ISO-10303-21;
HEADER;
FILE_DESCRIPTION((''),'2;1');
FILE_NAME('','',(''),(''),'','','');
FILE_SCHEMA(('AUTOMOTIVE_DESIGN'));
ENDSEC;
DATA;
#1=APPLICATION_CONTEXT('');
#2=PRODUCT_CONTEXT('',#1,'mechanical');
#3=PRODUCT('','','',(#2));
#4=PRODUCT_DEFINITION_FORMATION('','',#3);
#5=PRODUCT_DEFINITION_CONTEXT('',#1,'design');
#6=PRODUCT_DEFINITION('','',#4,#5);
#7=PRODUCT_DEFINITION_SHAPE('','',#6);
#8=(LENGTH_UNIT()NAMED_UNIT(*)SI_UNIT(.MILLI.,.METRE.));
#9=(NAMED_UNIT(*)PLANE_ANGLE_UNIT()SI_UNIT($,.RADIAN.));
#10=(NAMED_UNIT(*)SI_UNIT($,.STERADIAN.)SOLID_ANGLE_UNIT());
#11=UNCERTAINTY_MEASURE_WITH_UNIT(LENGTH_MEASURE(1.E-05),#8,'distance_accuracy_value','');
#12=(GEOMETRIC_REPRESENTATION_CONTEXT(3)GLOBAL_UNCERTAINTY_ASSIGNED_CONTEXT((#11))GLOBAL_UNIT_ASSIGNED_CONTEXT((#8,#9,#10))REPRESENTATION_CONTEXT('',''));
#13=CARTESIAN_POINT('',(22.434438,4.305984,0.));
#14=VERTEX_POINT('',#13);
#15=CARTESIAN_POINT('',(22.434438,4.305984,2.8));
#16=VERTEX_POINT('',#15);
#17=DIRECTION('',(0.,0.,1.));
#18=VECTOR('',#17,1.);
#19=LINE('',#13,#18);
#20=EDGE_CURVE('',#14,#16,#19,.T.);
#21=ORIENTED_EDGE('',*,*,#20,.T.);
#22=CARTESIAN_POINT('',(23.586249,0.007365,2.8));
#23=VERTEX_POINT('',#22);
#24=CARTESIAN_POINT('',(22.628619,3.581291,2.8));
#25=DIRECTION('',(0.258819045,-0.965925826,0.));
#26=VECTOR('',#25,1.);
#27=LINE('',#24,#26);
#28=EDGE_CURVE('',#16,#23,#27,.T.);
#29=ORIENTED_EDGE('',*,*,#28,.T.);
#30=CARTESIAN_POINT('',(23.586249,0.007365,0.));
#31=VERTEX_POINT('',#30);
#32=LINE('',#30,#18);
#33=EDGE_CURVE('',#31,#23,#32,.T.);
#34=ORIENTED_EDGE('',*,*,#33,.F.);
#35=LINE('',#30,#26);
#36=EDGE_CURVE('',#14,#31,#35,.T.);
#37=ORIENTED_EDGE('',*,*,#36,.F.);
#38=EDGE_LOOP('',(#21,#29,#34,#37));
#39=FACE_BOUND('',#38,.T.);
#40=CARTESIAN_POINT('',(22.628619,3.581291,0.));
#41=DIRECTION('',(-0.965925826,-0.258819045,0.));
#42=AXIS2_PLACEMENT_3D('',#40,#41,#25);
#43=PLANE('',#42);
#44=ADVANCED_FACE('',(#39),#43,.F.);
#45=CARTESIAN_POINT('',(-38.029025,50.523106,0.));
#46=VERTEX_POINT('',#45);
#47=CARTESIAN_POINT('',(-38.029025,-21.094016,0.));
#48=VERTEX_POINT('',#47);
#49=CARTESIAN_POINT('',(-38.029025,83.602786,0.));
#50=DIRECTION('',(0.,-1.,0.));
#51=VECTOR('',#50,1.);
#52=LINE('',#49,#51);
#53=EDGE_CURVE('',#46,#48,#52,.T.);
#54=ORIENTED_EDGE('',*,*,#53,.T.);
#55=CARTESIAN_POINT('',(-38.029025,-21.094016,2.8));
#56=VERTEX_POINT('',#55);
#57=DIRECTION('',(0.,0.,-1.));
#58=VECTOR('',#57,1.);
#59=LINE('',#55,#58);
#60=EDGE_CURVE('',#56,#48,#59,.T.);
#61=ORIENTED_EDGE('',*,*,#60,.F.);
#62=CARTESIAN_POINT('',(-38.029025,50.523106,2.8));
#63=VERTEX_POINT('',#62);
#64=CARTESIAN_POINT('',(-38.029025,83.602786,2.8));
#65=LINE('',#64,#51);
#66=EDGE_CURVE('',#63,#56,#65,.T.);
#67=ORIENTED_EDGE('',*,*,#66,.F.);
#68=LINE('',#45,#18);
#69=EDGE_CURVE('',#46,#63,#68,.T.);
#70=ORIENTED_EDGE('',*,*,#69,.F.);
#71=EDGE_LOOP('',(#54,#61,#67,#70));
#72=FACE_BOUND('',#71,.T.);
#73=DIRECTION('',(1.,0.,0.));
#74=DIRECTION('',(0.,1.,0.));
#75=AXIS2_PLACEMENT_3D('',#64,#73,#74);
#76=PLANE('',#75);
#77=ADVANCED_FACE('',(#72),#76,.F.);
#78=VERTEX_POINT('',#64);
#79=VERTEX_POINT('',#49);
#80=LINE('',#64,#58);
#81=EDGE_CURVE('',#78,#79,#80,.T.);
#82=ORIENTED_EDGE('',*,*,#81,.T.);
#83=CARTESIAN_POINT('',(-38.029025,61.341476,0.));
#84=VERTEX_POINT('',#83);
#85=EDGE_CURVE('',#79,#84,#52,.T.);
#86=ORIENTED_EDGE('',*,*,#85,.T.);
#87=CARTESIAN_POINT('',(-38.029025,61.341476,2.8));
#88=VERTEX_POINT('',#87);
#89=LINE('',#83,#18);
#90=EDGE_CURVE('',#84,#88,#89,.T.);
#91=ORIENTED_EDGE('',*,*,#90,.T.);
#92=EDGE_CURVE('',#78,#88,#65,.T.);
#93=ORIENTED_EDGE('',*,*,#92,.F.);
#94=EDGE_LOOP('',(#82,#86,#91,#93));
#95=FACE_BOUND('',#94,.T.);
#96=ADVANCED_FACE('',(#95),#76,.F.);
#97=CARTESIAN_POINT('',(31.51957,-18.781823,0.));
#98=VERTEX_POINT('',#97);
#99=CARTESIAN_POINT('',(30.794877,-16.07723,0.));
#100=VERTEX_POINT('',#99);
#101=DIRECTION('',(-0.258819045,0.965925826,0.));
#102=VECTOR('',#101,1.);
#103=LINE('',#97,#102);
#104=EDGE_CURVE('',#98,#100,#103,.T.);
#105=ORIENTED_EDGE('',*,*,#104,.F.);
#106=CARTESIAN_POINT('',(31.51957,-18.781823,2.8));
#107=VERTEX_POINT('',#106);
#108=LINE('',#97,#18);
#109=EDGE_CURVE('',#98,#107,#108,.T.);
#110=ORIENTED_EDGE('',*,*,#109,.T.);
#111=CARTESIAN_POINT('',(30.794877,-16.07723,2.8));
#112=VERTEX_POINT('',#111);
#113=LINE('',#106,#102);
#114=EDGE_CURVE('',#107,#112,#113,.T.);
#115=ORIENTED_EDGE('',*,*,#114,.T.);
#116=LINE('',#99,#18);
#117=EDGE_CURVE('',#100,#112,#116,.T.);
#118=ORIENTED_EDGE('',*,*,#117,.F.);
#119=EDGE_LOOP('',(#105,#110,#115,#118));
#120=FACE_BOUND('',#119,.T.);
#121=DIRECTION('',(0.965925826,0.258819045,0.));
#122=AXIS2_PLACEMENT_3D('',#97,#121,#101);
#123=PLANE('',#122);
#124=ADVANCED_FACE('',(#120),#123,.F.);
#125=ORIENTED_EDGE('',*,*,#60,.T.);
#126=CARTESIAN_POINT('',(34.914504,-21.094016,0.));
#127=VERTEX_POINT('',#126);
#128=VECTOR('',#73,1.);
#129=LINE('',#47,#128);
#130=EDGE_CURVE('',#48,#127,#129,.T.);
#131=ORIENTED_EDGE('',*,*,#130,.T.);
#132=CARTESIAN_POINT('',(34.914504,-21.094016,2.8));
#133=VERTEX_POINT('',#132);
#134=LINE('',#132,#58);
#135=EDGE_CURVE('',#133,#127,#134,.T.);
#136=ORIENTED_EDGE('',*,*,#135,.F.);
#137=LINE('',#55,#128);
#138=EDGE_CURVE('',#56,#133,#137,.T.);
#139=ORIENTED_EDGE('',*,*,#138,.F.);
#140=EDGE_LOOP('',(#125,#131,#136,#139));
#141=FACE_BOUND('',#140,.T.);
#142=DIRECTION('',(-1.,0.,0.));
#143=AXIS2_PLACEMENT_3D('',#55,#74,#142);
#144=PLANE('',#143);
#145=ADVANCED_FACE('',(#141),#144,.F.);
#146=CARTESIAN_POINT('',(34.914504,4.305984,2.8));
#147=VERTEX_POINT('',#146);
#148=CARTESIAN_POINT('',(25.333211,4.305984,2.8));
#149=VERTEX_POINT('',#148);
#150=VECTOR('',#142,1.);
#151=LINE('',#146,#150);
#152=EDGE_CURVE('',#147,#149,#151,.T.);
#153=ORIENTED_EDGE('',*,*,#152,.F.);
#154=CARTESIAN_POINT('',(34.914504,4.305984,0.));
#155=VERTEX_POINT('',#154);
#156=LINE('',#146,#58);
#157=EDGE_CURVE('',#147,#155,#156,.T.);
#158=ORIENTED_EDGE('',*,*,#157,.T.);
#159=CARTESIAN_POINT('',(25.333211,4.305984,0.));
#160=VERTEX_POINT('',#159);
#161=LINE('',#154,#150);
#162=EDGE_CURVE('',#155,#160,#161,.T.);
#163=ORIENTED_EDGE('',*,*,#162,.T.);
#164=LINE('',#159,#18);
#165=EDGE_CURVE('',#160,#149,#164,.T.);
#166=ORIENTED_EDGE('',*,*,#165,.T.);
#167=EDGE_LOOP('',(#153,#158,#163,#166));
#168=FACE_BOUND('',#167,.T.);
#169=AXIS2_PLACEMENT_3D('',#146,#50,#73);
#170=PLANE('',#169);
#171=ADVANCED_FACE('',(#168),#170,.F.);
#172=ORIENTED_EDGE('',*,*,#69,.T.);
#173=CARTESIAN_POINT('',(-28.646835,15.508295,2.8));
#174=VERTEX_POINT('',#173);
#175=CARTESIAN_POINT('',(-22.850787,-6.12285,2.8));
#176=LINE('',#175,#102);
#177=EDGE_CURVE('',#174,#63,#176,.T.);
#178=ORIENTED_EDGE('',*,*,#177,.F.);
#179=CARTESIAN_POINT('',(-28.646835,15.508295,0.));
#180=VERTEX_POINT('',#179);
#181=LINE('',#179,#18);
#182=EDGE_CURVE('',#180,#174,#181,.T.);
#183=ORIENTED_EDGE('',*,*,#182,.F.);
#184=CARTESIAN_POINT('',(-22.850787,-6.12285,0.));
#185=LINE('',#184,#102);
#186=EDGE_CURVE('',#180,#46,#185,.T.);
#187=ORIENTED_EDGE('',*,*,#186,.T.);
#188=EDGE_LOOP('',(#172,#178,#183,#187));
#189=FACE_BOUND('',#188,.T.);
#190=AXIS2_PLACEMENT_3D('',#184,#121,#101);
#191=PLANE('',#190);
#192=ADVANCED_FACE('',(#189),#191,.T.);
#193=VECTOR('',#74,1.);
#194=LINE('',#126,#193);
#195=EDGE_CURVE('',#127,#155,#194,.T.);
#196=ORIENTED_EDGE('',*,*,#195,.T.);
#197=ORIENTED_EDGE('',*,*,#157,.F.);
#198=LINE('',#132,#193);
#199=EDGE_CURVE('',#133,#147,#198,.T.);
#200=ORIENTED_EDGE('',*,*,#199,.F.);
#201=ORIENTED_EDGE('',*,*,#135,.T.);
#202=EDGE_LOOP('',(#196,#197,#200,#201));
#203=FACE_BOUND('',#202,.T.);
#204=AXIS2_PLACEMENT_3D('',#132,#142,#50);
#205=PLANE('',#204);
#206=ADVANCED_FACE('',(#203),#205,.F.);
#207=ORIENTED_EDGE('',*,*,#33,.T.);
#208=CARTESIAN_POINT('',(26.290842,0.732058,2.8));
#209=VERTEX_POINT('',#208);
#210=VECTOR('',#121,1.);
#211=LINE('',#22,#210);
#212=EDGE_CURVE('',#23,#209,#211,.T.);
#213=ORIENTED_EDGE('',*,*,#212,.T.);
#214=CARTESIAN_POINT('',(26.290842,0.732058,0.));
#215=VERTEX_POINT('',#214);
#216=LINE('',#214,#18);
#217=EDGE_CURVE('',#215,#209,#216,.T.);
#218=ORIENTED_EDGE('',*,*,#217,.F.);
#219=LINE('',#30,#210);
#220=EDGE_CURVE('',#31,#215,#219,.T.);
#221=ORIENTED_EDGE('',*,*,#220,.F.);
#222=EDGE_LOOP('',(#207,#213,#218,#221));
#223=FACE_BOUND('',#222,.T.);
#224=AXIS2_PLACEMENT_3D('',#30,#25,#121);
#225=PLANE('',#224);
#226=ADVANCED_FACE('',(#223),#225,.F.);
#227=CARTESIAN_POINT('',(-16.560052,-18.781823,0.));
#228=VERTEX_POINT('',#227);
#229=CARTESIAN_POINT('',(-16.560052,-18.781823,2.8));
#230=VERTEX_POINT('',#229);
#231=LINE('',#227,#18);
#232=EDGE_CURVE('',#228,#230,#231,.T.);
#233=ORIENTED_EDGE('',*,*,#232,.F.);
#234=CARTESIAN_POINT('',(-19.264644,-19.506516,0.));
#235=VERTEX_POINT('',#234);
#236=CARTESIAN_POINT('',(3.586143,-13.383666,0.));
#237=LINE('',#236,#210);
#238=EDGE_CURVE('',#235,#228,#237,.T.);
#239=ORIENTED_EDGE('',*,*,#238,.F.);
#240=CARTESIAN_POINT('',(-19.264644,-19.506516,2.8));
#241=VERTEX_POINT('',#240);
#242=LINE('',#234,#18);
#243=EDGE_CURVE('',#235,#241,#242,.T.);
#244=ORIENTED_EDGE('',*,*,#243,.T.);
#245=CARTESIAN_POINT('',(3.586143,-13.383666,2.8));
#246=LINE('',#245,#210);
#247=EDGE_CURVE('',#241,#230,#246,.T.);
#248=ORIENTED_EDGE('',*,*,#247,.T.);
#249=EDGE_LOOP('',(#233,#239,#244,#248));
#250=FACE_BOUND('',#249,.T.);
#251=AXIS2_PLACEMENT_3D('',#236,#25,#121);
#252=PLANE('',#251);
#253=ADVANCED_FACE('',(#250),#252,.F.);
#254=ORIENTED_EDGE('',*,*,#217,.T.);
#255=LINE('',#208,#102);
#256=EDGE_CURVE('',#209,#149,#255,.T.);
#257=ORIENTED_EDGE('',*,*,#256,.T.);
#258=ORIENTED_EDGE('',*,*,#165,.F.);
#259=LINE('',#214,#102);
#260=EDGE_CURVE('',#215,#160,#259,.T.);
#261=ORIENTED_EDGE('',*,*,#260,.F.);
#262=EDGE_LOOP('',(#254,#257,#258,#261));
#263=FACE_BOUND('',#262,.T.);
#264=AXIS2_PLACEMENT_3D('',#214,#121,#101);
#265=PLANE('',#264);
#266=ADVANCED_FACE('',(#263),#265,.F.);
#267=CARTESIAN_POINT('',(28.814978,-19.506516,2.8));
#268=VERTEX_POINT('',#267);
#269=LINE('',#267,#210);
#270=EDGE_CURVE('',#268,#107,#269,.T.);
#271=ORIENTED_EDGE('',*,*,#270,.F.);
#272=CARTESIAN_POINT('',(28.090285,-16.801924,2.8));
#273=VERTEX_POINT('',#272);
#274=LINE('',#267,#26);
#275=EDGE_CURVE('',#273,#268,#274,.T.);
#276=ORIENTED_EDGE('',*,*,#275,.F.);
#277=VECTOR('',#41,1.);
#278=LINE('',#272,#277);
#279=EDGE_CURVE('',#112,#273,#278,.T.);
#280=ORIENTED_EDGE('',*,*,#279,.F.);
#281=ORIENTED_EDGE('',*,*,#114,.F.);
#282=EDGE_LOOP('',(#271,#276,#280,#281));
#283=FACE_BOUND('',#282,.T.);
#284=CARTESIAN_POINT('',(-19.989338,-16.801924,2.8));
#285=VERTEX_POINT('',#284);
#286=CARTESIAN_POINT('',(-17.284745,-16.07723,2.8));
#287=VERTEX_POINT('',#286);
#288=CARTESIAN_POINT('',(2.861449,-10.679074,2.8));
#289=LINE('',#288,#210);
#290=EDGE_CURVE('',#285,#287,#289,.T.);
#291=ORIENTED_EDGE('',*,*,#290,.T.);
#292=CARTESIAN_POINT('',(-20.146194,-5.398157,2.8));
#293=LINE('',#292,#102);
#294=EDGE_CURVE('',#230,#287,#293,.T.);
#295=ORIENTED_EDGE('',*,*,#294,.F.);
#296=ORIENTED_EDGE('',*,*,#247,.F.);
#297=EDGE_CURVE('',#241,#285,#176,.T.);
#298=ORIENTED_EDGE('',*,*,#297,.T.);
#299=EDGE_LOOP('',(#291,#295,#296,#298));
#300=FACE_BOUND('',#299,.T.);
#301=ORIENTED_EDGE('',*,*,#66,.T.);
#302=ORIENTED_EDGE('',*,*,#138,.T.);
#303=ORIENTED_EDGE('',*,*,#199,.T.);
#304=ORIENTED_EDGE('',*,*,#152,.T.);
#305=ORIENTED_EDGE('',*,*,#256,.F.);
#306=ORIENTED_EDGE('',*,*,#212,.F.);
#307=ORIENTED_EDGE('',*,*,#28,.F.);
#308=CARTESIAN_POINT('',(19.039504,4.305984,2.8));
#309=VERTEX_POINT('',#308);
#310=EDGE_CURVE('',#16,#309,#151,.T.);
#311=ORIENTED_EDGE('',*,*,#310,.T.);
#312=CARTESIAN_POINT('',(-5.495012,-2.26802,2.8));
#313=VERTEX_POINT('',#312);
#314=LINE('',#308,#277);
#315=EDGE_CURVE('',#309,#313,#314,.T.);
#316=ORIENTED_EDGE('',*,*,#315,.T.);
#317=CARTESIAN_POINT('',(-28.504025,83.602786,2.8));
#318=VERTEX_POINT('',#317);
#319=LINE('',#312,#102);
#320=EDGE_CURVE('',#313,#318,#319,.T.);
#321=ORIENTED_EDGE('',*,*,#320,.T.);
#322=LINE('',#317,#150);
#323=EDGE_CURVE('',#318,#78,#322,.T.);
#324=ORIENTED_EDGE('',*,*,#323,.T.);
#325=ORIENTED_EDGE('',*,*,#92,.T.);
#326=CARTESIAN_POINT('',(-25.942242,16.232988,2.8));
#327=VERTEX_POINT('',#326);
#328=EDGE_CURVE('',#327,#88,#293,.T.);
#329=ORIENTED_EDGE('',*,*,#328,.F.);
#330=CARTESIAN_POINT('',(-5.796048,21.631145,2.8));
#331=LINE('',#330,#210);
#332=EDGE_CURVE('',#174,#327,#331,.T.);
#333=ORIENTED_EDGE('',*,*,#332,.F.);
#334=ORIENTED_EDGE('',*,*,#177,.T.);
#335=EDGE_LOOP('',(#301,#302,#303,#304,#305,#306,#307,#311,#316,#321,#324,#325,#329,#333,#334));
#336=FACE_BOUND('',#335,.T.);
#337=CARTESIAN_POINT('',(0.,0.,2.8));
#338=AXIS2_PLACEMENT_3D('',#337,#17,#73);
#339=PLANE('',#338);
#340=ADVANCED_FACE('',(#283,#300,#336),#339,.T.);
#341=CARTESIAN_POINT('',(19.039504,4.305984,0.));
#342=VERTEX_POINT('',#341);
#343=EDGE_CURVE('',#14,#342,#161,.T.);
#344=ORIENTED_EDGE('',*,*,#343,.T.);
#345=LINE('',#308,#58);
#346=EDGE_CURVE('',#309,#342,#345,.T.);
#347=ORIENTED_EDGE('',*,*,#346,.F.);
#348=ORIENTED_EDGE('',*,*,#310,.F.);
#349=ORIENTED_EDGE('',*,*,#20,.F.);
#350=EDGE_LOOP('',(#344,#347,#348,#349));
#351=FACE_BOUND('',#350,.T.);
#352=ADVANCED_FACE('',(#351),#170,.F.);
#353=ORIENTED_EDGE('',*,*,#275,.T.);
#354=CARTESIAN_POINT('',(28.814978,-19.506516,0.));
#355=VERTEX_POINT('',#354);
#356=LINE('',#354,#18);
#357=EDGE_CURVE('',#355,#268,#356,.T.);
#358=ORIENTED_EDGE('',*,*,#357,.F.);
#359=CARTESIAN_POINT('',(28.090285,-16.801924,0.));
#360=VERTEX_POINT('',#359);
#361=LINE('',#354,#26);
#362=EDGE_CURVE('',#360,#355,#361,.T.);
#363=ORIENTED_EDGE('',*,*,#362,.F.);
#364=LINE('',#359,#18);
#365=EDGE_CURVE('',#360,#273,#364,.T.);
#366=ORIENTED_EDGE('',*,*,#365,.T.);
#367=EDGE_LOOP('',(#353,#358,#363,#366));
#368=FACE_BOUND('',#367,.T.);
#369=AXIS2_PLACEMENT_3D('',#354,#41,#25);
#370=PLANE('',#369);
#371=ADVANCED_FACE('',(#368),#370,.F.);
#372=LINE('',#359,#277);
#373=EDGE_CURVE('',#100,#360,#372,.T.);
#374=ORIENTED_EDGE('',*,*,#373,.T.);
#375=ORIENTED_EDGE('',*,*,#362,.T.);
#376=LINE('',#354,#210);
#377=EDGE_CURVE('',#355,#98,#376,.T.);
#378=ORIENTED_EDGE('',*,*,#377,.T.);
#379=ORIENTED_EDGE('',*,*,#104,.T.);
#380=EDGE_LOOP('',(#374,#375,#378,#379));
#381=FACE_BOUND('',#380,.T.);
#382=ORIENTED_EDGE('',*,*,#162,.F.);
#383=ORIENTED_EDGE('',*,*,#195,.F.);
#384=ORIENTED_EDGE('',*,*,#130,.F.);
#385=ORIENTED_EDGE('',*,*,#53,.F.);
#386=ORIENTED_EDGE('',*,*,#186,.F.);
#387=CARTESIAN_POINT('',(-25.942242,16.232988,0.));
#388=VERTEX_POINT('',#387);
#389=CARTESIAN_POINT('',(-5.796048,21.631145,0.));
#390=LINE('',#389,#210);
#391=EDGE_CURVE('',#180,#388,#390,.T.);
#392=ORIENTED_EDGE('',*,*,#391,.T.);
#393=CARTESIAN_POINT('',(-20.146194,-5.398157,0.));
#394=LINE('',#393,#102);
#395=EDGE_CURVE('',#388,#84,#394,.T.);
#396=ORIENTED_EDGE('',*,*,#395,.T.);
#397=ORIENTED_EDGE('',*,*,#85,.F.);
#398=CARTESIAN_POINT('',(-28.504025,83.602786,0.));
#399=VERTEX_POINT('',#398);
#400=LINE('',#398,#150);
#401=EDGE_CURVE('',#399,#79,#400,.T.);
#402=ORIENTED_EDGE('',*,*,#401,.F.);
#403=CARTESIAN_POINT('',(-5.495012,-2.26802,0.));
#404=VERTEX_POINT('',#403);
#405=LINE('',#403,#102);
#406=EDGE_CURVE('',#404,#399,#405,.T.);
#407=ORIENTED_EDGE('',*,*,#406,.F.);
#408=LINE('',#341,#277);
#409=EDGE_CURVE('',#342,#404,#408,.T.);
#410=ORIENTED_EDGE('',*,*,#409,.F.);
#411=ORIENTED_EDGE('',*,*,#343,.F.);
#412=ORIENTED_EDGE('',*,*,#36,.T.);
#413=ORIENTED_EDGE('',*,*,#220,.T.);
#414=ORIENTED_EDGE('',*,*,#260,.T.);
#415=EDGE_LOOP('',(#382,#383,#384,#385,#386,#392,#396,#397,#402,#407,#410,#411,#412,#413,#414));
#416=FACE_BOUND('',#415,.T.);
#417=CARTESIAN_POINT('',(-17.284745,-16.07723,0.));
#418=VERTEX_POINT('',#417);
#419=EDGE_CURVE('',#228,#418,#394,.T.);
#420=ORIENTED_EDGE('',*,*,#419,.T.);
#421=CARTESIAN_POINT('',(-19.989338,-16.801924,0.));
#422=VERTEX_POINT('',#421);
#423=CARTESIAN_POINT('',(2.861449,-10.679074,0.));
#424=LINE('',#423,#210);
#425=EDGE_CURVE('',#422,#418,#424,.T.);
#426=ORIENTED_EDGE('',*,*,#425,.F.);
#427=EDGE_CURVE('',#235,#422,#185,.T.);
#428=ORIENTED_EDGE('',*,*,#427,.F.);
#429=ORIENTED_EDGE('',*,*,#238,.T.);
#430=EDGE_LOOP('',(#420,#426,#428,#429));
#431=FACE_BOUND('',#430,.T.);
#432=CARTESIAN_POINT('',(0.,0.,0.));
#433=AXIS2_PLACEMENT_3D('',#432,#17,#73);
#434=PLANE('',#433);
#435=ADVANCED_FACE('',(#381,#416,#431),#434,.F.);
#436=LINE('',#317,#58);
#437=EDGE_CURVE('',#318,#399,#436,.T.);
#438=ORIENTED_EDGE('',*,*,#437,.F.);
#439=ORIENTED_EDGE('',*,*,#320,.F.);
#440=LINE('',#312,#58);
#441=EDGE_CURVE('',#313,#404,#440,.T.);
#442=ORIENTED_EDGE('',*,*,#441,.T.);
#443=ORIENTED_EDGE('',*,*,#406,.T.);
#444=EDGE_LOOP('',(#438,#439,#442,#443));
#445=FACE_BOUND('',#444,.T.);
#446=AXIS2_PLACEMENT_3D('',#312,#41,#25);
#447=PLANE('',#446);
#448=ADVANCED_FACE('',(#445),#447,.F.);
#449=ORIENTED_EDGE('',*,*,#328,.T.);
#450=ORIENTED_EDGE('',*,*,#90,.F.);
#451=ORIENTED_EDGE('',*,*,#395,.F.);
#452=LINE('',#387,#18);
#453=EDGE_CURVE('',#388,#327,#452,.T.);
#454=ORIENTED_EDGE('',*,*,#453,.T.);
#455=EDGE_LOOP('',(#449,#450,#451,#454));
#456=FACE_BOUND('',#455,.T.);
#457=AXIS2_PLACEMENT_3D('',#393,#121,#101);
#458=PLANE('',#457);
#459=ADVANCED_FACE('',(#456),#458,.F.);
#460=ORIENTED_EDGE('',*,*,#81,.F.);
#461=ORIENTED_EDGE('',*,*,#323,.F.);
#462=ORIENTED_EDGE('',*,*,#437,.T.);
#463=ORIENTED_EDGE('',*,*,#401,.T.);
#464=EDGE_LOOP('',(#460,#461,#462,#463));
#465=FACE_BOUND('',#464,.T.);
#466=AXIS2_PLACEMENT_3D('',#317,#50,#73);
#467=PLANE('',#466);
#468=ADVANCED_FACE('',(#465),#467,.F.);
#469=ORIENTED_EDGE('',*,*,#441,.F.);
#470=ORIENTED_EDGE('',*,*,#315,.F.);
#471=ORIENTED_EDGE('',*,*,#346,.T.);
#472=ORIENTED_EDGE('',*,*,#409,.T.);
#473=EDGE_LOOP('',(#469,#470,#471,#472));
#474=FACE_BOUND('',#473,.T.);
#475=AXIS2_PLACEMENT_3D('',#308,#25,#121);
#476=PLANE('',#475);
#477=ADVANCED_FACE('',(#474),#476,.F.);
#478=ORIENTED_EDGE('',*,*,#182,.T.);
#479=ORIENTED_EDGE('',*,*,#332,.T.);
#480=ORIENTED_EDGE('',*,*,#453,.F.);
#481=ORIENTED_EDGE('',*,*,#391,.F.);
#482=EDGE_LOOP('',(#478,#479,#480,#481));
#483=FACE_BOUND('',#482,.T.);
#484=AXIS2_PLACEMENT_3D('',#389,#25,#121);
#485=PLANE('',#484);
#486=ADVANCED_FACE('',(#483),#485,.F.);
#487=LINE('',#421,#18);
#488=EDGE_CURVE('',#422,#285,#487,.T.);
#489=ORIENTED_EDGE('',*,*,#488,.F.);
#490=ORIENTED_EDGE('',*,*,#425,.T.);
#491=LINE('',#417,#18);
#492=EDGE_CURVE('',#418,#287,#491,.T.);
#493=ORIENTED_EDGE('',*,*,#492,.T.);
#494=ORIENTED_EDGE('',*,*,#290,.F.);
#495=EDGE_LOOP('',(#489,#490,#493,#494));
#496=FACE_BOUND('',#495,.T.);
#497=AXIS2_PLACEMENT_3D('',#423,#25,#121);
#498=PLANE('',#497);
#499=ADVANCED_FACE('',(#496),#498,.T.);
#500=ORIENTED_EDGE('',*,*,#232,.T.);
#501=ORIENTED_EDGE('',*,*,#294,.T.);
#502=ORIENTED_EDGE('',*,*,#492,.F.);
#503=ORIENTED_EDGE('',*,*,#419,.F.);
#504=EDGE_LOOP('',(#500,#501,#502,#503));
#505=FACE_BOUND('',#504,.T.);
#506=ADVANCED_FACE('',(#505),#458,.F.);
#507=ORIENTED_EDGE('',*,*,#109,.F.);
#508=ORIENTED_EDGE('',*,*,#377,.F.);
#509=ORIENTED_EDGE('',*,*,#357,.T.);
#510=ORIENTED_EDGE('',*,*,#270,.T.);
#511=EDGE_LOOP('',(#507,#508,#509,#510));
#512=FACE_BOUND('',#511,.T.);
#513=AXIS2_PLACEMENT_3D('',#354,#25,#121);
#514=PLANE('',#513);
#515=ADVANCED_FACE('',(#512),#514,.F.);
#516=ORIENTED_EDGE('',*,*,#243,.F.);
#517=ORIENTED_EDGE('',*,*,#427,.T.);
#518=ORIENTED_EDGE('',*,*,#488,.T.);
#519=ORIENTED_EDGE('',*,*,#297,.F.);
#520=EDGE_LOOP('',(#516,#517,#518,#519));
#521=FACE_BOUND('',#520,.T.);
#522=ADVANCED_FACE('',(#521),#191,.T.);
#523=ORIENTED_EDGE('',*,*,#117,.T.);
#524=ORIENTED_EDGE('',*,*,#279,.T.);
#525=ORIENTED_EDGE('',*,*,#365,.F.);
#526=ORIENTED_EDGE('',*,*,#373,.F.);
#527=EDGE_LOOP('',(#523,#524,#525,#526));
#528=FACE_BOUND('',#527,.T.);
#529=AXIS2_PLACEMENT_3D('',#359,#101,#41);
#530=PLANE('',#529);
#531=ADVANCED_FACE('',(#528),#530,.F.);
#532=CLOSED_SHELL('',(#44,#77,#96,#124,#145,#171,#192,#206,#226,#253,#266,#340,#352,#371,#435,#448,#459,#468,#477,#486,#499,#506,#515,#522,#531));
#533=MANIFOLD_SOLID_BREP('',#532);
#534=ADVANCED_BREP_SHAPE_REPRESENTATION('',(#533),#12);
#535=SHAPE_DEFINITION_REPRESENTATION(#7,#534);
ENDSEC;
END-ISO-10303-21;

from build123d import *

# Parameters (mm, degrees)
BOSS_EXTRUDE1_DEPTH = 2.8
CUT_EXTRUDE1_DEPTH  = 3.8
CUT_EXTRUDE2_DEPTH  = 3.8


with BuildPart() as part:
    # Sketch1 → Boss-Extrude1 (new body)
    with BuildSketch(Plane.XY):
        Polygon((-38.029024976, 83.602786166), (-38.029024976, -21.094016045), (34.914504121, -21.094016045), (34.914504121, 4.305983955), (19.039504121, 4.305983955), (-5.495011867, -2.268019791), (-28.504024976, 83.602786166), align=None)
    extrude(amount=BOSS_EXTRUDE1_DEPTH)

    # Sketch2 → Cut-Extrude1 (cut, through all)
    with BuildSketch(Plane.XY.offset(2.8)):
        Polygon((-19.264644206, -19.506516045), (-16.560051893, -18.781822719), (-17.284745219, -16.077230405), (-19.989337533, -16.801923732), align=None)
        Polygon((-28.646834591, 15.508295158), (-25.942242278, 16.232988484), (-35.324432663, 51.247799687), (-38.029024976, 61.341475615), (-38.029024976, 50.523106361), align=None)
    extrude(amount=-CUT_EXTRUDE1_DEPTH, mode=Mode.SUBTRACT)

    # Sketch3 → Cut-Extrude2 (cut, through all)
    with BuildSketch(Plane.XY.offset(2.8)):
        Polygon((28.814978037, -19.506516045), (31.51957035, -18.781822719), (30.794877024, -16.077230405), (28.09028471, -16.801923732), align=None)
        Polygon((23.58624935, 0.007365071), (26.290841664, 0.732058397), (25.333211197, 4.305983955), (22.434437892, 4.305983955), (22.628618883, 3.581290628), align=None)
    extrude(amount=-CUT_EXTRUDE2_DEPTH, mode=Mode.SUBTRACT)


solid = part.part
